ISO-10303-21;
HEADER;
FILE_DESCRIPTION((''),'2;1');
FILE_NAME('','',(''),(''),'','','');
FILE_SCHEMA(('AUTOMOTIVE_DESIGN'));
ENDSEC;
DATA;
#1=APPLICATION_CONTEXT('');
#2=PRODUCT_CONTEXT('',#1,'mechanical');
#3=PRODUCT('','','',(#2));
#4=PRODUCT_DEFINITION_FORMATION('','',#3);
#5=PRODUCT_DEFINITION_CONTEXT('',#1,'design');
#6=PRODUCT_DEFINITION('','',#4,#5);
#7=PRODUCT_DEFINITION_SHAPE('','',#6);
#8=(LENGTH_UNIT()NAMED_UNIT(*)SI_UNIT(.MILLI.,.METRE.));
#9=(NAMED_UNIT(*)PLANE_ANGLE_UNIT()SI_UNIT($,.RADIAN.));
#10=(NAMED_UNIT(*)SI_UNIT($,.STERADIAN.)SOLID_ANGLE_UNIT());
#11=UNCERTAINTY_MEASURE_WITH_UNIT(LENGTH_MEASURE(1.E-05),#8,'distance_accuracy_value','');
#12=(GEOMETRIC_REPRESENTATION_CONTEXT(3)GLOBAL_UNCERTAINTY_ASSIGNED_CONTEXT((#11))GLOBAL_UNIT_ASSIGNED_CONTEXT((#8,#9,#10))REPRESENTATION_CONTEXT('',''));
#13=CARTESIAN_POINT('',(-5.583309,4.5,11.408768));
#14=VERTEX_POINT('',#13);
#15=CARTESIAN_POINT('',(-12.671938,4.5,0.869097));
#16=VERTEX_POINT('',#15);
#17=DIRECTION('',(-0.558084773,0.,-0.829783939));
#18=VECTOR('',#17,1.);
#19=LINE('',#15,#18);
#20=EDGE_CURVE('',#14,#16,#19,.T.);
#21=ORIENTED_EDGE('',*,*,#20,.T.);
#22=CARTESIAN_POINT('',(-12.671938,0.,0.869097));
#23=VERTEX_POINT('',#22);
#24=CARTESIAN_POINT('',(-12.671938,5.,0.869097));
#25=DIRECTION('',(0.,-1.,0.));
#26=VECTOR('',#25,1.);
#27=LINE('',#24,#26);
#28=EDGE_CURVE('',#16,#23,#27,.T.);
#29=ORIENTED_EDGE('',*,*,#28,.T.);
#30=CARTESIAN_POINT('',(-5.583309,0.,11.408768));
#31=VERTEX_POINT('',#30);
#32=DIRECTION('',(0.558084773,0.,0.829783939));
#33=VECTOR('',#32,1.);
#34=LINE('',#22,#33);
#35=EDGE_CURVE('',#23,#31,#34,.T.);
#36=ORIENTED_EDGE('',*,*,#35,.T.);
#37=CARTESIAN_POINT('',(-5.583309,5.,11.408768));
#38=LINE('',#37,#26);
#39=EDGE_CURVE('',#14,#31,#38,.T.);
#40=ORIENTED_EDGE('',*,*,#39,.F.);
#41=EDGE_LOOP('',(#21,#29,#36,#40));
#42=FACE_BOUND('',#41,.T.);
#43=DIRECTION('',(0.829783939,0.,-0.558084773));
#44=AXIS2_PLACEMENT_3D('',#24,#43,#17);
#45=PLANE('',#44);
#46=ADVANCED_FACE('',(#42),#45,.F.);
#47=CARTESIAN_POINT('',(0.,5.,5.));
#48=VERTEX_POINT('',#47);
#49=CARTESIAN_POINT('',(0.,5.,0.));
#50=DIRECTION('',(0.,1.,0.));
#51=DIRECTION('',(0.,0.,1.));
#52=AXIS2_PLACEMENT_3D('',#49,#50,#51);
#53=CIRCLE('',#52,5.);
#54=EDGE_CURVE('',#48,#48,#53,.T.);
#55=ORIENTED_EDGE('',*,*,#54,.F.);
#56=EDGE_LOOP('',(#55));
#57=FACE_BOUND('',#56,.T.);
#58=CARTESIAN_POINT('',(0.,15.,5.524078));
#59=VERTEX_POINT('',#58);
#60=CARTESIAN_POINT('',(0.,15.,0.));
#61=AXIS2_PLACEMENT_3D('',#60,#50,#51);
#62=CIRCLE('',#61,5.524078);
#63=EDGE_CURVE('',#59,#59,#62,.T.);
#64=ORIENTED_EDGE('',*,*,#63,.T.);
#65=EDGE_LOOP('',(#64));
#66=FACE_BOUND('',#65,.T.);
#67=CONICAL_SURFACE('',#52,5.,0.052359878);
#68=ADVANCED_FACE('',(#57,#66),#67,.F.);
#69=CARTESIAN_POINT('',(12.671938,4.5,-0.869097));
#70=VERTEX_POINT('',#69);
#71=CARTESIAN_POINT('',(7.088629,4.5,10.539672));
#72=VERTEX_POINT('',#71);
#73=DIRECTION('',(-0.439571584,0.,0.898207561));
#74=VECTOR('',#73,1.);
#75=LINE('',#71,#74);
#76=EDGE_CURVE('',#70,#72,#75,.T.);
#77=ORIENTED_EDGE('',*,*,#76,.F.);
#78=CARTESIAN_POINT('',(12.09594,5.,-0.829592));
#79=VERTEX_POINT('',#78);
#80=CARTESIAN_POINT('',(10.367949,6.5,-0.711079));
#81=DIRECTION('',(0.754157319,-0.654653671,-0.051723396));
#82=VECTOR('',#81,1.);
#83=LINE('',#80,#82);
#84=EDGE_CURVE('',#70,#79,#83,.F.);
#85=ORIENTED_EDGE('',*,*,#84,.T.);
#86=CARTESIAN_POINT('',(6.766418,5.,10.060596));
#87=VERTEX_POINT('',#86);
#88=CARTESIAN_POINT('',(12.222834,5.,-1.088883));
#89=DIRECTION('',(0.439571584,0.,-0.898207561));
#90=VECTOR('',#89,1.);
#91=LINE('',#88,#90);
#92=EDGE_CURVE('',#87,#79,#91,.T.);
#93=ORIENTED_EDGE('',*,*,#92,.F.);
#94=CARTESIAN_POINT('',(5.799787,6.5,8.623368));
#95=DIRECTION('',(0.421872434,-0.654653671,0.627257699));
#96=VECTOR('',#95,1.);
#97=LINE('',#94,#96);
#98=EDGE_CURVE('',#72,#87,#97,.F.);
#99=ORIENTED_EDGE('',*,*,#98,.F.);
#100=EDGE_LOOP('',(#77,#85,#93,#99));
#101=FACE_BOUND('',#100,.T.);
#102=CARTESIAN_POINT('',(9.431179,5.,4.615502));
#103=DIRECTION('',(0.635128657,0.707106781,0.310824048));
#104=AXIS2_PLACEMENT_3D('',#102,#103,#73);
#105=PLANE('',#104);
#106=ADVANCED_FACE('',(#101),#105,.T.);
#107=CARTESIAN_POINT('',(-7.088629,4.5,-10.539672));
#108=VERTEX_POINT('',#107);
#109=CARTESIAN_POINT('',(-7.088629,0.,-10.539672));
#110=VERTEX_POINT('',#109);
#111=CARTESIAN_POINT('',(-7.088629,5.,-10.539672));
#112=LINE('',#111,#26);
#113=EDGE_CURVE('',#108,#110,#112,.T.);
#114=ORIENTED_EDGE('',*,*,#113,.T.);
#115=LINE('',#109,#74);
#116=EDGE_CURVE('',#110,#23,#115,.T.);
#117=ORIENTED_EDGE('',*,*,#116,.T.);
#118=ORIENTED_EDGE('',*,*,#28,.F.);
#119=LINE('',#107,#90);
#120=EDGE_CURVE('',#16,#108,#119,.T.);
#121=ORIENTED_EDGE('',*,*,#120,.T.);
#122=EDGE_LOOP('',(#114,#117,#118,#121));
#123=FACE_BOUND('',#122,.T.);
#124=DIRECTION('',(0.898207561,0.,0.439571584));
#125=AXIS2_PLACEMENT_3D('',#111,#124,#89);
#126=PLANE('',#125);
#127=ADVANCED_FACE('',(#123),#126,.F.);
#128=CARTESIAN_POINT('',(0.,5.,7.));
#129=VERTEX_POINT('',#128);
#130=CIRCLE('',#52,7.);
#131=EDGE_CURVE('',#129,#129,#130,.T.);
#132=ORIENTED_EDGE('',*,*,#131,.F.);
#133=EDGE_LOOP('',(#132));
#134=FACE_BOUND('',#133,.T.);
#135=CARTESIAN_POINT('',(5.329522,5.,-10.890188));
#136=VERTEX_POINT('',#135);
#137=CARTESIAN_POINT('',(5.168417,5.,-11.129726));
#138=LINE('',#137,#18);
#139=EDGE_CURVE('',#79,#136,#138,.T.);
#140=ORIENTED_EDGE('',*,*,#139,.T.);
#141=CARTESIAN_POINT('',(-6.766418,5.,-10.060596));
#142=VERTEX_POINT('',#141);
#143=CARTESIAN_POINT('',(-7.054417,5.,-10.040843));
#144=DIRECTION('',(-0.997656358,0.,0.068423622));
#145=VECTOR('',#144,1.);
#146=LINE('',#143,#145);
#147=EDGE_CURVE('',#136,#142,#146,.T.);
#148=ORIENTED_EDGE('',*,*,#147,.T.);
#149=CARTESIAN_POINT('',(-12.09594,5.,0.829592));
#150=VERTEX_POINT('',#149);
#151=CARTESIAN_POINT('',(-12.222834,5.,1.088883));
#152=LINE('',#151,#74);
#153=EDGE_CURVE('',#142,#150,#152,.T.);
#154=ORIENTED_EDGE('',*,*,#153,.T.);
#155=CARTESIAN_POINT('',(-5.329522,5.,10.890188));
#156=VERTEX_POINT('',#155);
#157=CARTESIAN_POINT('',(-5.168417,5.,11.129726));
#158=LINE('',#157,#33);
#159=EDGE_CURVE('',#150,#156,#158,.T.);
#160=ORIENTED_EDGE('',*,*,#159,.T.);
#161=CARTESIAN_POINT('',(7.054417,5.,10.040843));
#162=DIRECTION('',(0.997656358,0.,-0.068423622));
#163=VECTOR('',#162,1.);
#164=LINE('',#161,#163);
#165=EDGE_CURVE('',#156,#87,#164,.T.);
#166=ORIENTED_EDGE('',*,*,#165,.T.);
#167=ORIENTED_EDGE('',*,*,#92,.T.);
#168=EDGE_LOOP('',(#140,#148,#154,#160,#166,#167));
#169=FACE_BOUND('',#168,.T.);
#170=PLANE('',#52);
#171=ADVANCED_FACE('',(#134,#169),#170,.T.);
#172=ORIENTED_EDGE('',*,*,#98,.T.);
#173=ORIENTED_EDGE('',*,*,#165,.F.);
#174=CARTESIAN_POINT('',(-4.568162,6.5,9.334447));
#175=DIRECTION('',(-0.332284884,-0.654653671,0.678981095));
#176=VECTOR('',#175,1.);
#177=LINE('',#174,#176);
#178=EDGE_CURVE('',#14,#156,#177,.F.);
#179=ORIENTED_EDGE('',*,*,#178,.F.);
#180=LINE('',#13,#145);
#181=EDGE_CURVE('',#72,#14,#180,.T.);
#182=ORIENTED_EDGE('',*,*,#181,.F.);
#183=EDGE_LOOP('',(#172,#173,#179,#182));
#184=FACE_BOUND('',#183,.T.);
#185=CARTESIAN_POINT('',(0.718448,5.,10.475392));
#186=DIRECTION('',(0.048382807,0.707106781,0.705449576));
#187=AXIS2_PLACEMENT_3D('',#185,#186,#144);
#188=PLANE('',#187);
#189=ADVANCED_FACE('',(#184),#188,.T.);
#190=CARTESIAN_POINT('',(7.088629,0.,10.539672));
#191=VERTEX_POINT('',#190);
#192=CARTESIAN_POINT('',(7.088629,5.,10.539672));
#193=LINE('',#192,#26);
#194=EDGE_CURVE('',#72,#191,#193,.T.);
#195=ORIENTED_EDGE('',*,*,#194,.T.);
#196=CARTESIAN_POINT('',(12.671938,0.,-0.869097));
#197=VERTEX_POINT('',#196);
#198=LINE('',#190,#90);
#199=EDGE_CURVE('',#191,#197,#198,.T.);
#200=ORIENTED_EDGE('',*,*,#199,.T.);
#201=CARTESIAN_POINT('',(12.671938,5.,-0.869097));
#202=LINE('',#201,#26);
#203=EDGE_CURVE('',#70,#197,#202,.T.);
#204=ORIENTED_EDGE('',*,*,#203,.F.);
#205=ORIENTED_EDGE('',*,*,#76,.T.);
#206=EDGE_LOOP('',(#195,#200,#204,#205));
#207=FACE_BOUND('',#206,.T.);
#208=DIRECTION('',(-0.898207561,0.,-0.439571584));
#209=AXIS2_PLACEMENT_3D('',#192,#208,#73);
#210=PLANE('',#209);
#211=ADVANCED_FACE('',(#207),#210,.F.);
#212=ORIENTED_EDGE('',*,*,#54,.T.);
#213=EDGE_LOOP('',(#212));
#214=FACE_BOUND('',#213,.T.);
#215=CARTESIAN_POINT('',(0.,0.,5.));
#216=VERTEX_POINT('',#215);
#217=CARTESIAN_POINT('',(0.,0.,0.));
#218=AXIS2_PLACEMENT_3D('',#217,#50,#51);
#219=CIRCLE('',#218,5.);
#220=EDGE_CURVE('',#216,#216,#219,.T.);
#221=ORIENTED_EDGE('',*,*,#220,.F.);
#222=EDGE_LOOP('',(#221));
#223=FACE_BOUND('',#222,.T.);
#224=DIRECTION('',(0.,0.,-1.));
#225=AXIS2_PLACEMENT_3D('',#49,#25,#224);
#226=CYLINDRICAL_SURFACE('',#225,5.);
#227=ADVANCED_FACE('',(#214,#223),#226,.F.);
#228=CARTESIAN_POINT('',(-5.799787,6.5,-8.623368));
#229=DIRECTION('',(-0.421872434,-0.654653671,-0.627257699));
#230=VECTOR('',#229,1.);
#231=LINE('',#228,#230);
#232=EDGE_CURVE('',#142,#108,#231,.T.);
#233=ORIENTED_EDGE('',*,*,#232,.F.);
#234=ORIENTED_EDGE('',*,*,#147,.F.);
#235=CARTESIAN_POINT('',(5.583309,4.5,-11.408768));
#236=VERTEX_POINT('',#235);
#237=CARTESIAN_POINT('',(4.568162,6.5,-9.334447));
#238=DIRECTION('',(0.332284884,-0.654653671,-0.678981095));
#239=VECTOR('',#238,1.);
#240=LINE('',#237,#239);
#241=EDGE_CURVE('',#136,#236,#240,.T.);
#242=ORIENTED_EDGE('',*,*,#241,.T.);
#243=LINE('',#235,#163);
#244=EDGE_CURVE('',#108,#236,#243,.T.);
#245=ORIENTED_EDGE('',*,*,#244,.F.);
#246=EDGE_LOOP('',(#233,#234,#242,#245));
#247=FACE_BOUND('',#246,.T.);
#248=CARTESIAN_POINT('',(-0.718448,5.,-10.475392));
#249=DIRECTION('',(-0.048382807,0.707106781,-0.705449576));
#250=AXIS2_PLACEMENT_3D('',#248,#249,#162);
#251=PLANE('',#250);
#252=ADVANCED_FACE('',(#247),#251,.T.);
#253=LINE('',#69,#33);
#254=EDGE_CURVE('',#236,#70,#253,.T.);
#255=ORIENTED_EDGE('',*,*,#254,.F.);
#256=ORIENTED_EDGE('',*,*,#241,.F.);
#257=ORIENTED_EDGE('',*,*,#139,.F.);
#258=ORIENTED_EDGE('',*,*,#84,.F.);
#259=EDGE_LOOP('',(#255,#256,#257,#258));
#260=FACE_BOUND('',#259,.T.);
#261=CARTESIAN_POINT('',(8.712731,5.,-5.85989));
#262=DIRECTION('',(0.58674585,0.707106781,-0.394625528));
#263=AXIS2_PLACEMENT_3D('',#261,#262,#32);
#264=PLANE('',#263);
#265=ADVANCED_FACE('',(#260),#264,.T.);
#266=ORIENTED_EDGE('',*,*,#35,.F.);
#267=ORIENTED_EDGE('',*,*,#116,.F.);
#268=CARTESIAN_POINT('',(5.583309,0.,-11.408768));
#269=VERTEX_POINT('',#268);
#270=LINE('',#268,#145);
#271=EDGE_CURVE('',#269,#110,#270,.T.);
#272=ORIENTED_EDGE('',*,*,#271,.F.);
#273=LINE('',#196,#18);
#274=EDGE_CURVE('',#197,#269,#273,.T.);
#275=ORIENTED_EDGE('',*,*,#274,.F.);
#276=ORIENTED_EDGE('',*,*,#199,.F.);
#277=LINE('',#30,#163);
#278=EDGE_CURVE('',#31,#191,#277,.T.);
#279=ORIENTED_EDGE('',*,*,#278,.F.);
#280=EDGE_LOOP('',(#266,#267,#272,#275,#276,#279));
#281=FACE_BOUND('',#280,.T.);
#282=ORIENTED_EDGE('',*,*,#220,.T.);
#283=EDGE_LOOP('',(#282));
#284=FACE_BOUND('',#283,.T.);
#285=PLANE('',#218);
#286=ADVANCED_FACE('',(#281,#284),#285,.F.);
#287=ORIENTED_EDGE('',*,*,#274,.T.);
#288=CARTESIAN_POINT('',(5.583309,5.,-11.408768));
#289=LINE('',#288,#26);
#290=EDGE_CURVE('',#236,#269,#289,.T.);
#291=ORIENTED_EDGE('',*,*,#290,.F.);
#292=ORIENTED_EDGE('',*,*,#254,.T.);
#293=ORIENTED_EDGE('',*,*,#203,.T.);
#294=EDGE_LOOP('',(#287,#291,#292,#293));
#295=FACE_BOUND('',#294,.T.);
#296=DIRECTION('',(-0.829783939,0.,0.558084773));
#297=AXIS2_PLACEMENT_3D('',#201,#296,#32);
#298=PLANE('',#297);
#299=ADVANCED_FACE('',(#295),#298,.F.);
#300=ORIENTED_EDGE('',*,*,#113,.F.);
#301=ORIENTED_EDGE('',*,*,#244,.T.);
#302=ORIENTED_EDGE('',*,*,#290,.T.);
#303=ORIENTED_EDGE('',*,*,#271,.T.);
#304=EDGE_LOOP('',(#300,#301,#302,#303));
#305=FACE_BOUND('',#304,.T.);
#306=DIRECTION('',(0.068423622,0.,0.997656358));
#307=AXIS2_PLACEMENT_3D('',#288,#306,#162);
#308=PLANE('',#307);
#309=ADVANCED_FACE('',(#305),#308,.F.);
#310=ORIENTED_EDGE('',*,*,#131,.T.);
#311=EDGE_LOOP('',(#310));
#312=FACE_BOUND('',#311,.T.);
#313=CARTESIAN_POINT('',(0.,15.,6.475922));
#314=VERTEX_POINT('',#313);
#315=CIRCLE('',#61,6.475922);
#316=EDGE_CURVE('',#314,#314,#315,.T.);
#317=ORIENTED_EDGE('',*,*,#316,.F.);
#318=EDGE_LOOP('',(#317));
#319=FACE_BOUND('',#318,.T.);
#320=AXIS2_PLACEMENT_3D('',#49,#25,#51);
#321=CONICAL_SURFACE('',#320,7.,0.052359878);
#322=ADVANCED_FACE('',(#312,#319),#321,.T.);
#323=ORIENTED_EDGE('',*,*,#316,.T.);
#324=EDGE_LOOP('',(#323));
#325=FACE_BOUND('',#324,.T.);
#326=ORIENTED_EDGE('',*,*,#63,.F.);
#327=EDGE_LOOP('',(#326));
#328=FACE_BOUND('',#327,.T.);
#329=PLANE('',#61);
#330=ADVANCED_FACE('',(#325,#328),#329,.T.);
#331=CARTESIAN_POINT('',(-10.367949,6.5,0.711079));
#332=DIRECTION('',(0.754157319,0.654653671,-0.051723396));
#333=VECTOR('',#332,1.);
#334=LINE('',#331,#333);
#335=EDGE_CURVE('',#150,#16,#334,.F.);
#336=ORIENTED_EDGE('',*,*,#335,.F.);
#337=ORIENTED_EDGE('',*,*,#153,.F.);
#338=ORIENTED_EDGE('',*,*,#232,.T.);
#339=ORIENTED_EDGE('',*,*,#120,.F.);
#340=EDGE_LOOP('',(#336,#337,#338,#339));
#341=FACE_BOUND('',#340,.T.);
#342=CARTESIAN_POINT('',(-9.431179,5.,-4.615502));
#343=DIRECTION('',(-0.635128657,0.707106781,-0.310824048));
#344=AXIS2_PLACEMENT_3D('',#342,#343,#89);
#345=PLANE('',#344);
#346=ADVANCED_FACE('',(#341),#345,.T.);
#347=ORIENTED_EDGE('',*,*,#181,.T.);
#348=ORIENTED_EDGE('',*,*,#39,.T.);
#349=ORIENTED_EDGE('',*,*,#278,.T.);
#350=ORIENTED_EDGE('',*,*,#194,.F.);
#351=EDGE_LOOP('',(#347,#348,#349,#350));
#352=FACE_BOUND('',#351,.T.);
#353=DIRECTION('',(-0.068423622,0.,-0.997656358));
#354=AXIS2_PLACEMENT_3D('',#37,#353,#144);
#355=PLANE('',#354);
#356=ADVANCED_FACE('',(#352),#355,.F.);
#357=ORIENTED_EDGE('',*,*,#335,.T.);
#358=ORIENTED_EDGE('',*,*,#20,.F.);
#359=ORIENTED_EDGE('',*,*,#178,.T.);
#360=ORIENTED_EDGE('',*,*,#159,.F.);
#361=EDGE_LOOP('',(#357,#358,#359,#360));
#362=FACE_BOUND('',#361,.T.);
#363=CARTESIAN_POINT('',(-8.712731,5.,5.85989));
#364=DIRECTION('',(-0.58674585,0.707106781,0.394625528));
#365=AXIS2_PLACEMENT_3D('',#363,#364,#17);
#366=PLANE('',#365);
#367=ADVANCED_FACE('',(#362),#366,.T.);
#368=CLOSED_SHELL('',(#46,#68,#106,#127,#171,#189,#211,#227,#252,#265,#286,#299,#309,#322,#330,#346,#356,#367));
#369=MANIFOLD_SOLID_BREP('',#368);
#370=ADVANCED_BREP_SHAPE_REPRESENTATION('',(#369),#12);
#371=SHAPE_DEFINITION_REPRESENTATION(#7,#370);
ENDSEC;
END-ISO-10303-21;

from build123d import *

# Parameters (mm, degrees)
SKETCH1_R           = 5
BOSS_EXTRUDE1_DEPTH = 5
CHAMFER1_SIZE       = 0.5
SKETCH2_R           = 7
SKETCH2_R_2         = 5
BOSS_EXTRUDE2_DEPTH = 10
BOSS_EXTRUDE2_DRAFT = 3


with BuildPart() as part:
    # Sketch1 → Boss-Extrude1 (new body)
    with BuildSketch(Plane(origin=(0, 0, 0), x_dir=(1, 0, 0), z_dir=(0, 1, 0))):
        Polygon((7.08862867, -10.539671575), (12.671937667, 0.869096719), (5.583308997, 11.408768294), (-7.08862867, 10.539671575), (-12.671937667, -0.869096719), (-5.583308997, -11.408768294), align=None)
        with Locations(Location((0, 0, 0), (0, 0, 270))):
            Circle(SKETCH1_R, mode=Mode.SUBTRACT)
    extrude(amount=BOSS_EXTRUDE1_DEPTH)

    # Chamfer1
    chamfer1_edges = [part.edges().sort_by_distance(p)[0] for p in [
        (9.127623332, 5, -6.138932506),
        (-0.752659837, 5, -10.974219934),
        (-9.880283168, 5, -4.835287428),
        (-9.127623332, 5, 6.138932506),
        (0.752659837, 5, 10.974219934),
        (9.880283168, 5, 4.835287428),
    ]]
    chamfer(chamfer1_edges, length=CHAMFER1_SIZE)


with BuildPart() as boss_extrude2_tool:
    # Sketch2 → Boss-Extrude2 (with draft: the straight prism first)
    with BuildSketch(Plane(origin=(0, 5, 0), x_dir=(1, 0, 0), z_dir=(0, 1, 0))):
        Circle(SKETCH2_R)
        with Locations(Location((0, 0, 0), (0, 0, 270))):
            Circle(SKETCH2_R_2, mode=Mode.SUBTRACT)
    extrude(amount=BOSS_EXTRUDE2_DEPTH)
    # Boss-Extrude2: the draft: its side faces are tilted about the plane it starts from
    boss_extrude2_sides = [boss_extrude2_tool.faces().sort_by_distance(p)[0] for p in [
        (-7, 10, 0),
        (0, 10, -5),
    ]]
    draft(boss_extrude2_sides, Plane(origin=(0, 5, 0), x_dir=(1, 0, 0), z_dir=(0, 1, 0)), BOSS_EXTRUDE2_DRAFT)


with BuildPart() as part_1:
    add(part.part)

    # Boss-Extrude2: add boss_extrude2_tool
    add(boss_extrude2_tool.part)


solid = part_1.part
